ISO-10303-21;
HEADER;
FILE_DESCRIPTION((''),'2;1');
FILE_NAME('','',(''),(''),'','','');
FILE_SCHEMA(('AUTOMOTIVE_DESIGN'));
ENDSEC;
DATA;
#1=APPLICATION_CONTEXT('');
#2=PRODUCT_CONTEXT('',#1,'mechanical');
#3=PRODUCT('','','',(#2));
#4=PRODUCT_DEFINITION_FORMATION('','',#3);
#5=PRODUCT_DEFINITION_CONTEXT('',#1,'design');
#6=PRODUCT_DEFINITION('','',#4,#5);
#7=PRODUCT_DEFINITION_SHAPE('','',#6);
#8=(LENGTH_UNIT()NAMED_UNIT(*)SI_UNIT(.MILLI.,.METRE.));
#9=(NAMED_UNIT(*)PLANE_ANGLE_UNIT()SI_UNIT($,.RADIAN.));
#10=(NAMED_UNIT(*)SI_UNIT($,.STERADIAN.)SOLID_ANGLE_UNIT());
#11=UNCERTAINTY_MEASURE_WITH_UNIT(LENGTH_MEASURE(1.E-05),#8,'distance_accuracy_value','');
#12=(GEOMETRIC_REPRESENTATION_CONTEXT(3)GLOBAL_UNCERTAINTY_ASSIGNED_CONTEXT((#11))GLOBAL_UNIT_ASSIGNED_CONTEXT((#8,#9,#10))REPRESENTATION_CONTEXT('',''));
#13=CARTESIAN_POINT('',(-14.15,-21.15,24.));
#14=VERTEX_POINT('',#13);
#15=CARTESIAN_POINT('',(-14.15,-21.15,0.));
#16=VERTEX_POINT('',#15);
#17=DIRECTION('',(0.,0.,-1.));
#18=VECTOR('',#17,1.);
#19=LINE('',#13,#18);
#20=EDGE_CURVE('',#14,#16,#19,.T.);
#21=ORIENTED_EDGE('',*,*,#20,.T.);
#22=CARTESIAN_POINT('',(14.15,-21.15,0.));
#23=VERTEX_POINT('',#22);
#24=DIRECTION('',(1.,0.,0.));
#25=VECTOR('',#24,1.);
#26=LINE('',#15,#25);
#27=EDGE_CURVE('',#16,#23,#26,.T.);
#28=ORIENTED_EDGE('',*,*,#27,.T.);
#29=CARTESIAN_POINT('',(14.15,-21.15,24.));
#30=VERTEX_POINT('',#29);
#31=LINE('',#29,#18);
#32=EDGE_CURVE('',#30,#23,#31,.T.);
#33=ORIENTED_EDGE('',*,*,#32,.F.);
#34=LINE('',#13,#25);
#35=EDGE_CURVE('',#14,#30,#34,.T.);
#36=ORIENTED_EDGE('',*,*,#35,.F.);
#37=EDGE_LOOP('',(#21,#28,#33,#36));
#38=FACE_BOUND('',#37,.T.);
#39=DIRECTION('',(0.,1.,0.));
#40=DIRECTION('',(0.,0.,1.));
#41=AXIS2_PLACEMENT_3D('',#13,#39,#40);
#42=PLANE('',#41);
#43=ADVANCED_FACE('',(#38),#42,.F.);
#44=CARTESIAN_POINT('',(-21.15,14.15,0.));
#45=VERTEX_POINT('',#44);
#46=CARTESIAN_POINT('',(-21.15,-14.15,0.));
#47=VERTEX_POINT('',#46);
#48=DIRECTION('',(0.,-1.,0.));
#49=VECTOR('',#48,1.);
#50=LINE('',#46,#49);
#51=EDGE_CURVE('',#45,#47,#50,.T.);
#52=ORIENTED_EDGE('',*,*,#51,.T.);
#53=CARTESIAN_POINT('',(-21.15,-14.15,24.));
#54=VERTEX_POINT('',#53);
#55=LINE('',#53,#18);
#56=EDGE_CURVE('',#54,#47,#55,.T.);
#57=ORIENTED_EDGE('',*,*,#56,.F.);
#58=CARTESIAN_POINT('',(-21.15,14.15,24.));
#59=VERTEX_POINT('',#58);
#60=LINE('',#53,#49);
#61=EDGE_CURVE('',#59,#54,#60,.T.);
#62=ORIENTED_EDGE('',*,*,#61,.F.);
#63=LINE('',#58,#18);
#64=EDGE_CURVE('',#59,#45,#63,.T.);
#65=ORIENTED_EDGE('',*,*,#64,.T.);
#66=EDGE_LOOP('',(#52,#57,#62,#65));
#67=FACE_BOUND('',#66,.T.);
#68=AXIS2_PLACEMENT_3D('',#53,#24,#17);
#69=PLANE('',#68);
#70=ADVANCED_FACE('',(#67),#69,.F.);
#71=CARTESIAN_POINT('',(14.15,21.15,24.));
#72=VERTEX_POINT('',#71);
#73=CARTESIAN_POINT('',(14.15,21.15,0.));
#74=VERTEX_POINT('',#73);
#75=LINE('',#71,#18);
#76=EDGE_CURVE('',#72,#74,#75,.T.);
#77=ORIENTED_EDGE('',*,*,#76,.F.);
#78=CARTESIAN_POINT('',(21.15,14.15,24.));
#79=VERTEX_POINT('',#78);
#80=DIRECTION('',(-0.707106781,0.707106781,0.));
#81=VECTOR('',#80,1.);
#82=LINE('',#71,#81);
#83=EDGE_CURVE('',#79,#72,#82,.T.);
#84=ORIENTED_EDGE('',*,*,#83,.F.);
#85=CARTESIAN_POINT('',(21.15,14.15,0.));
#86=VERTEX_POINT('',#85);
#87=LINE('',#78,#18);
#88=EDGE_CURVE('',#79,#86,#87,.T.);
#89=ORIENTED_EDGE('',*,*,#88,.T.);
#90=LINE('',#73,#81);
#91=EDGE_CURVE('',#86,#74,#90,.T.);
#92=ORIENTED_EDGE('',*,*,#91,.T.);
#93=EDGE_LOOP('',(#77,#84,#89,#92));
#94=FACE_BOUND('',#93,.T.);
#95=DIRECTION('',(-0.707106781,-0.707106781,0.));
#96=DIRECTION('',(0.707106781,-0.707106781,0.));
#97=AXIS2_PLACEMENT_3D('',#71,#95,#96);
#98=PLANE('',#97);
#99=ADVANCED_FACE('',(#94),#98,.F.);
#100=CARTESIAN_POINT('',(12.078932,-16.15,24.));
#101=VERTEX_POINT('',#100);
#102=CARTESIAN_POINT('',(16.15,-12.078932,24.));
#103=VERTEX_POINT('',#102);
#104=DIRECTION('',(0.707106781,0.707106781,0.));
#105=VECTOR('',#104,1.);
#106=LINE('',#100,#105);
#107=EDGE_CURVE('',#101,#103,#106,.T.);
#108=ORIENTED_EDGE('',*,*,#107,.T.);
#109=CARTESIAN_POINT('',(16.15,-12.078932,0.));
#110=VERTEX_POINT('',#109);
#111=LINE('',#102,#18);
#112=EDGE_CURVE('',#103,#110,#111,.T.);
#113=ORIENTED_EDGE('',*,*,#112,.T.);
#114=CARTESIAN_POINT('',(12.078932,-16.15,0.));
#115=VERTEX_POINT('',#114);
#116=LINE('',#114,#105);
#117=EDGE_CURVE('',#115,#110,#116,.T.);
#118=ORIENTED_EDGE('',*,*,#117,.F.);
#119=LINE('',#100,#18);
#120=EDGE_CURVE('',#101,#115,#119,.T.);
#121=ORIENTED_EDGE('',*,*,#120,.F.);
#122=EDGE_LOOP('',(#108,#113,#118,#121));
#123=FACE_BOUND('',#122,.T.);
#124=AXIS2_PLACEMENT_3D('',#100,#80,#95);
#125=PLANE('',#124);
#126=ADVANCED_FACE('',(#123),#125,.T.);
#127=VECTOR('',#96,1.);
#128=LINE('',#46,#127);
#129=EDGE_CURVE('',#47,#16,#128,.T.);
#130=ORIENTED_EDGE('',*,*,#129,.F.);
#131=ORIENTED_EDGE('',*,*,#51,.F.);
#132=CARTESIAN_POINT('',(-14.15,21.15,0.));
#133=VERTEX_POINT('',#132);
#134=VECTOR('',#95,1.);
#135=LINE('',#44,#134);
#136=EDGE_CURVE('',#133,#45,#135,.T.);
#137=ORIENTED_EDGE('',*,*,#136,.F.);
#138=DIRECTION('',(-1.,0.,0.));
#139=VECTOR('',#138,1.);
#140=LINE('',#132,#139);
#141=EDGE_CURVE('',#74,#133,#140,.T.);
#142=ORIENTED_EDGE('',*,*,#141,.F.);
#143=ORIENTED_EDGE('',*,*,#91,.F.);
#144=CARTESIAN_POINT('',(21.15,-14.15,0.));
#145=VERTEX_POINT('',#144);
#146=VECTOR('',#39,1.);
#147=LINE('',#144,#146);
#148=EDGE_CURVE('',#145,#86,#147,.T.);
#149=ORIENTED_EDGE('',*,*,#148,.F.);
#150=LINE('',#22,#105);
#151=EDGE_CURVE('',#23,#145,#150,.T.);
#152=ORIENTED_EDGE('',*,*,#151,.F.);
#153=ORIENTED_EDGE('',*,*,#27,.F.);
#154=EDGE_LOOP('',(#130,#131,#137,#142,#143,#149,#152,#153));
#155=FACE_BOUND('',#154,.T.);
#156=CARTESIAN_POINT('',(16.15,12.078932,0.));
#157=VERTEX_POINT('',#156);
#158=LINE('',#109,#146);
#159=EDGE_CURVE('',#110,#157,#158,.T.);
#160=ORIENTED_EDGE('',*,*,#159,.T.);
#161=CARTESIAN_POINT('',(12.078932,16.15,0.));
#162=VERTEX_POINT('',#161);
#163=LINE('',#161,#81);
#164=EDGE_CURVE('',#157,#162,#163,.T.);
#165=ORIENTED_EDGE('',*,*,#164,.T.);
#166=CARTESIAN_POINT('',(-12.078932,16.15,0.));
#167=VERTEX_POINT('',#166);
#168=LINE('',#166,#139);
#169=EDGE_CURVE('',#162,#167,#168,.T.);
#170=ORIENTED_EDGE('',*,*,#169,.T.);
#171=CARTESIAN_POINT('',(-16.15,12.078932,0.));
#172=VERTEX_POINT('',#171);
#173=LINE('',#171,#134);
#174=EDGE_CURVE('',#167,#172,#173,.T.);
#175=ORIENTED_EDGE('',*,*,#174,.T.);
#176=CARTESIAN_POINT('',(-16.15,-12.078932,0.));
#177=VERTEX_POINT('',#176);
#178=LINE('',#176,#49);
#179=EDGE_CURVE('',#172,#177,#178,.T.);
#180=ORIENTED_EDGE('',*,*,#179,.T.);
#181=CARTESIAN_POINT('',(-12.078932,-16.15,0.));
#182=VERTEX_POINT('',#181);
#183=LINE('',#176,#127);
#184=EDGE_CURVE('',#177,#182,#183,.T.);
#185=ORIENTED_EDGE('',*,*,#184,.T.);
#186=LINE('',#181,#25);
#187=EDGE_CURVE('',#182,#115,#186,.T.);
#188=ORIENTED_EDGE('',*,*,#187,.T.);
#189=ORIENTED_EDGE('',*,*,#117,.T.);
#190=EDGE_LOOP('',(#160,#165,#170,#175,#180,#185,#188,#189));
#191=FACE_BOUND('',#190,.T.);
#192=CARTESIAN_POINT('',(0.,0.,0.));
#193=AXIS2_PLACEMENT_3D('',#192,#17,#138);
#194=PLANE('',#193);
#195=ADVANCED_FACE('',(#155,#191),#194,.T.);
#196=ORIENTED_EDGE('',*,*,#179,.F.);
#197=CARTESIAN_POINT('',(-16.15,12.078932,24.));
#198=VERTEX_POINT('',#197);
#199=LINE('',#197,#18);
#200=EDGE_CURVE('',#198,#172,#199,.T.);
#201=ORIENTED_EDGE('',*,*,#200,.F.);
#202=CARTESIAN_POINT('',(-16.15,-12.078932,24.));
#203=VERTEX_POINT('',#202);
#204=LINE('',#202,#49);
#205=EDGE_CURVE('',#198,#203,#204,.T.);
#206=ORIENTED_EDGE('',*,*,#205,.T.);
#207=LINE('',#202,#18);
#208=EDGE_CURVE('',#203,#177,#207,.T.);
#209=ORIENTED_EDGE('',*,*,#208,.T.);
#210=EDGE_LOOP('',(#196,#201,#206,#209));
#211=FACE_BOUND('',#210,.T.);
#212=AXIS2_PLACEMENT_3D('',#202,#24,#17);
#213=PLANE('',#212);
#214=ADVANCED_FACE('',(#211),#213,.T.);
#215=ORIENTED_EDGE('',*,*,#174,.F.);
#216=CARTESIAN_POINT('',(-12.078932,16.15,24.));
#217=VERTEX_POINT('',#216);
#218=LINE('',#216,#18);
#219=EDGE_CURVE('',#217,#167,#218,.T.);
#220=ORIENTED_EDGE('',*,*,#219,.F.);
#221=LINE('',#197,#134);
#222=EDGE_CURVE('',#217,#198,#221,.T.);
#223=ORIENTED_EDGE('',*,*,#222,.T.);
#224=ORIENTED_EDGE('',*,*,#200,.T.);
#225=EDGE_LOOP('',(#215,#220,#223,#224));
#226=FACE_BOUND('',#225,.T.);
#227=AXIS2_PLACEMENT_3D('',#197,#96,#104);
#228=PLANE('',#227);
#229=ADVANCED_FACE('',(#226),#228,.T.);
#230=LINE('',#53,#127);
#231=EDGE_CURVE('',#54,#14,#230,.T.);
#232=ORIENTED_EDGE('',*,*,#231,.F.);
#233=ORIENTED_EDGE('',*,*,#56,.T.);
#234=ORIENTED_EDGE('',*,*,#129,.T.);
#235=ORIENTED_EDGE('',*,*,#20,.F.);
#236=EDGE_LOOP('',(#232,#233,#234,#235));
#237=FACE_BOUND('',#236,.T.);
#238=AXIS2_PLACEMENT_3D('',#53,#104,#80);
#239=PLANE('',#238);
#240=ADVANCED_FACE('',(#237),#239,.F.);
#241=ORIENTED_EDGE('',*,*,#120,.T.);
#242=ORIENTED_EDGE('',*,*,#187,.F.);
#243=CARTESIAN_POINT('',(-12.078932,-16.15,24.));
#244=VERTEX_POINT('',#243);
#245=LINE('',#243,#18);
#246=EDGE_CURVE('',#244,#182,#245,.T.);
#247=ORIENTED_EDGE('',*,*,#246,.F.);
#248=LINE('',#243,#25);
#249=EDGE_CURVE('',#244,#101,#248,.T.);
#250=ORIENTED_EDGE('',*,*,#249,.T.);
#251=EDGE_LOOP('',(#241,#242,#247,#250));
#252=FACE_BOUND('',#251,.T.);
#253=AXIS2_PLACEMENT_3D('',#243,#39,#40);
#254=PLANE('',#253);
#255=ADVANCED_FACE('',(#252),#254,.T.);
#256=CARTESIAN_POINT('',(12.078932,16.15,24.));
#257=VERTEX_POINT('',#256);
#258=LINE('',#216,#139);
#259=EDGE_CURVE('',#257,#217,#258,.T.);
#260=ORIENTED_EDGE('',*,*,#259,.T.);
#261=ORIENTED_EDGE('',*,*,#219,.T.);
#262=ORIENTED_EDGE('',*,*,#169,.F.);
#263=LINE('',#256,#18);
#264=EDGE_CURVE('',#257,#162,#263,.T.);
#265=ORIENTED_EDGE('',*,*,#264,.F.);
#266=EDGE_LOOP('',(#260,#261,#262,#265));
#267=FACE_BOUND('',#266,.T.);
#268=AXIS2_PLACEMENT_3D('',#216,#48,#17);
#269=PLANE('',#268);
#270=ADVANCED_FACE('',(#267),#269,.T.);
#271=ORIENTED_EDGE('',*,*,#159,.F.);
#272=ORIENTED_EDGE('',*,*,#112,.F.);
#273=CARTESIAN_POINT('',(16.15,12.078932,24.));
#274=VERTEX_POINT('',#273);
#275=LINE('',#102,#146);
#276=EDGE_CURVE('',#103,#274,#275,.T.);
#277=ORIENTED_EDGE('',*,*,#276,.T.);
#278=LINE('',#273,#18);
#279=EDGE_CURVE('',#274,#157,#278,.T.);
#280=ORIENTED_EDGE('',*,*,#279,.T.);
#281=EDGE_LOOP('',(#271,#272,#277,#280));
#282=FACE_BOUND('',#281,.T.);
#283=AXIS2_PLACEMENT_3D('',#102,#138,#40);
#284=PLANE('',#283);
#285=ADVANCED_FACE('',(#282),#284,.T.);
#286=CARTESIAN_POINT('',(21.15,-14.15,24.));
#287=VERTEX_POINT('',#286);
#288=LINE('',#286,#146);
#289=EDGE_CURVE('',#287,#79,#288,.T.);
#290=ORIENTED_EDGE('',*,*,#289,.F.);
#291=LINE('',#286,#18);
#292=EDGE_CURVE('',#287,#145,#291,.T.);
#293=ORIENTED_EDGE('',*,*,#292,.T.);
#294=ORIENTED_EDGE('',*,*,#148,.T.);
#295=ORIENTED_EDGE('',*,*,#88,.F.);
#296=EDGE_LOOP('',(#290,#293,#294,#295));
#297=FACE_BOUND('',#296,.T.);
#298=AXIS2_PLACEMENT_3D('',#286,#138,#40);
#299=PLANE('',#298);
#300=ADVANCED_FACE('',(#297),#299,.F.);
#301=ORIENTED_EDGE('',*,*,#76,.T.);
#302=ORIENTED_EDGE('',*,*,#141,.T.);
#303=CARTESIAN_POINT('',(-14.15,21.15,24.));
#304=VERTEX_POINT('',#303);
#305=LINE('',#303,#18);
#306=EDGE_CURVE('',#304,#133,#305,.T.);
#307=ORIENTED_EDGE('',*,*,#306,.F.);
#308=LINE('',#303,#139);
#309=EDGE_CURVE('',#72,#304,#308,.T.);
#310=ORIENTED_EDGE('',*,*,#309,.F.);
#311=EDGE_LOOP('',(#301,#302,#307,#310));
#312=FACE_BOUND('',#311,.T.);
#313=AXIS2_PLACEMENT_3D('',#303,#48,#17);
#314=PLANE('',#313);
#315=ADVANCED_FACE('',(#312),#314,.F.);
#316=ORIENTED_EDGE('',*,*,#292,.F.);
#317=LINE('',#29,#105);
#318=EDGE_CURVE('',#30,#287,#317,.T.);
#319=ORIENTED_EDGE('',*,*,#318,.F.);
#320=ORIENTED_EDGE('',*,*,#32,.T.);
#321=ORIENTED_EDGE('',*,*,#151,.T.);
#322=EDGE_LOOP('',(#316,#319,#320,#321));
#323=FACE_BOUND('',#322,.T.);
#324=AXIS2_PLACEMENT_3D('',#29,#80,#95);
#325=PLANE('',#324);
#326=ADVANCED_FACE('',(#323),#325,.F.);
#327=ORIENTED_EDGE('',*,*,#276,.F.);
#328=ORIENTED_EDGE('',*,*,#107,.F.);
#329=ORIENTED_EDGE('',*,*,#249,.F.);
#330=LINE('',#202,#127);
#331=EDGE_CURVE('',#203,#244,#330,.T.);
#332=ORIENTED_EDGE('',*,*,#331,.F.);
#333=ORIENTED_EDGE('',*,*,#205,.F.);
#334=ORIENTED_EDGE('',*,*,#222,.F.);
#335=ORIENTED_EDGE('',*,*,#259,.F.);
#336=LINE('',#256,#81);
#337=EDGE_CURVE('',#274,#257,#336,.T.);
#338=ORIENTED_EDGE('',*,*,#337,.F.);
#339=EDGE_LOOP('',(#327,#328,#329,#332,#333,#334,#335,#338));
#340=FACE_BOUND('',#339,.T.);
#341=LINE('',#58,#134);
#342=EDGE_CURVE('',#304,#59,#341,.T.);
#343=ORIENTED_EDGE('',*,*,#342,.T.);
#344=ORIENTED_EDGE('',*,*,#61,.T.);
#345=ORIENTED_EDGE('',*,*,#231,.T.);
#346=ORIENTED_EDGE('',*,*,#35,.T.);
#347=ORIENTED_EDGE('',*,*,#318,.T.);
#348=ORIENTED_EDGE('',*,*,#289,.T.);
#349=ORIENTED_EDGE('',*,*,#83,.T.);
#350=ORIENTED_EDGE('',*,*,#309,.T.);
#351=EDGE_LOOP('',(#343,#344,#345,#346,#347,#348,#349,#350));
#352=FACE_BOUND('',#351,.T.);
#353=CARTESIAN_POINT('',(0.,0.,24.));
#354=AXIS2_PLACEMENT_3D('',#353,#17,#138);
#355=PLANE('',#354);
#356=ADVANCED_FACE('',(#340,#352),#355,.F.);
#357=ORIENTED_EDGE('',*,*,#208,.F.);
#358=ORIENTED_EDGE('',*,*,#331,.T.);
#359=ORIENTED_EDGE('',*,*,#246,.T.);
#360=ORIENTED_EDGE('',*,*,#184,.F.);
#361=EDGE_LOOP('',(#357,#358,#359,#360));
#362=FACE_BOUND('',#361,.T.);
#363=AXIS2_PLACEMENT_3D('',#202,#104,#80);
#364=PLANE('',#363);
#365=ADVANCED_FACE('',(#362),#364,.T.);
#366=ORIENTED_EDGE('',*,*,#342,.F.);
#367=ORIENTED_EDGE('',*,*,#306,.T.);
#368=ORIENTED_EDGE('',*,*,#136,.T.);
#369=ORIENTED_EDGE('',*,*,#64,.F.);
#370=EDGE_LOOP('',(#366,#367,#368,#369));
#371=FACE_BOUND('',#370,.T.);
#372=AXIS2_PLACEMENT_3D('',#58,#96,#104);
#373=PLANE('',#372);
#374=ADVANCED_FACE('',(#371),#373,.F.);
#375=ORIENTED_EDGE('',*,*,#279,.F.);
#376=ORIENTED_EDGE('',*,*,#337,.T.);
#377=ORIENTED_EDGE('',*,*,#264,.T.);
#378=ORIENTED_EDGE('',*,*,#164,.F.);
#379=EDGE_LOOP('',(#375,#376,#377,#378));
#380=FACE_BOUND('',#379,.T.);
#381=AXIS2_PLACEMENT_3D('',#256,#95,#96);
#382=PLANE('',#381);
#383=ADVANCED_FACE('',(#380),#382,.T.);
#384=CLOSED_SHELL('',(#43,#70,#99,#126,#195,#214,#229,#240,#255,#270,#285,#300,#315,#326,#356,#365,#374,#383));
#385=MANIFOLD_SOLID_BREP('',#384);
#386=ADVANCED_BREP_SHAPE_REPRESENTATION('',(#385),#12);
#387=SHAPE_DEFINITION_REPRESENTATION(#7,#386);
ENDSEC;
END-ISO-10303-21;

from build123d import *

# Parameters (mm, degrees)
BOSS_EXTRUDE1_DEPTH = 24


with BuildPart() as part:
    # Sketch1 → Boss-Extrude1 (new body)
    with BuildSketch(Plane.XY):
        Polygon((-21.15, 14.15), (-14.15, 21.15), (14.15, 21.15), (21.15, 14.15), (21.15, -14.15), (14.15, -21.15), (-14.15, -21.15), (-21.15, -14.15), align=None)
        Polygon((-12.078932188, 16.15), (12.078932188, 16.15), (16.15, 12.078932188), (16.15, -12.078932188), (12.078932188, -16.15), (-12.078932188, -16.15), (-16.15, -12.078932188), (-16.15, 12.078932188), align=None, mode=Mode.SUBTRACT)
    extrude(amount=BOSS_EXTRUDE1_DEPTH)


solid = part.part
